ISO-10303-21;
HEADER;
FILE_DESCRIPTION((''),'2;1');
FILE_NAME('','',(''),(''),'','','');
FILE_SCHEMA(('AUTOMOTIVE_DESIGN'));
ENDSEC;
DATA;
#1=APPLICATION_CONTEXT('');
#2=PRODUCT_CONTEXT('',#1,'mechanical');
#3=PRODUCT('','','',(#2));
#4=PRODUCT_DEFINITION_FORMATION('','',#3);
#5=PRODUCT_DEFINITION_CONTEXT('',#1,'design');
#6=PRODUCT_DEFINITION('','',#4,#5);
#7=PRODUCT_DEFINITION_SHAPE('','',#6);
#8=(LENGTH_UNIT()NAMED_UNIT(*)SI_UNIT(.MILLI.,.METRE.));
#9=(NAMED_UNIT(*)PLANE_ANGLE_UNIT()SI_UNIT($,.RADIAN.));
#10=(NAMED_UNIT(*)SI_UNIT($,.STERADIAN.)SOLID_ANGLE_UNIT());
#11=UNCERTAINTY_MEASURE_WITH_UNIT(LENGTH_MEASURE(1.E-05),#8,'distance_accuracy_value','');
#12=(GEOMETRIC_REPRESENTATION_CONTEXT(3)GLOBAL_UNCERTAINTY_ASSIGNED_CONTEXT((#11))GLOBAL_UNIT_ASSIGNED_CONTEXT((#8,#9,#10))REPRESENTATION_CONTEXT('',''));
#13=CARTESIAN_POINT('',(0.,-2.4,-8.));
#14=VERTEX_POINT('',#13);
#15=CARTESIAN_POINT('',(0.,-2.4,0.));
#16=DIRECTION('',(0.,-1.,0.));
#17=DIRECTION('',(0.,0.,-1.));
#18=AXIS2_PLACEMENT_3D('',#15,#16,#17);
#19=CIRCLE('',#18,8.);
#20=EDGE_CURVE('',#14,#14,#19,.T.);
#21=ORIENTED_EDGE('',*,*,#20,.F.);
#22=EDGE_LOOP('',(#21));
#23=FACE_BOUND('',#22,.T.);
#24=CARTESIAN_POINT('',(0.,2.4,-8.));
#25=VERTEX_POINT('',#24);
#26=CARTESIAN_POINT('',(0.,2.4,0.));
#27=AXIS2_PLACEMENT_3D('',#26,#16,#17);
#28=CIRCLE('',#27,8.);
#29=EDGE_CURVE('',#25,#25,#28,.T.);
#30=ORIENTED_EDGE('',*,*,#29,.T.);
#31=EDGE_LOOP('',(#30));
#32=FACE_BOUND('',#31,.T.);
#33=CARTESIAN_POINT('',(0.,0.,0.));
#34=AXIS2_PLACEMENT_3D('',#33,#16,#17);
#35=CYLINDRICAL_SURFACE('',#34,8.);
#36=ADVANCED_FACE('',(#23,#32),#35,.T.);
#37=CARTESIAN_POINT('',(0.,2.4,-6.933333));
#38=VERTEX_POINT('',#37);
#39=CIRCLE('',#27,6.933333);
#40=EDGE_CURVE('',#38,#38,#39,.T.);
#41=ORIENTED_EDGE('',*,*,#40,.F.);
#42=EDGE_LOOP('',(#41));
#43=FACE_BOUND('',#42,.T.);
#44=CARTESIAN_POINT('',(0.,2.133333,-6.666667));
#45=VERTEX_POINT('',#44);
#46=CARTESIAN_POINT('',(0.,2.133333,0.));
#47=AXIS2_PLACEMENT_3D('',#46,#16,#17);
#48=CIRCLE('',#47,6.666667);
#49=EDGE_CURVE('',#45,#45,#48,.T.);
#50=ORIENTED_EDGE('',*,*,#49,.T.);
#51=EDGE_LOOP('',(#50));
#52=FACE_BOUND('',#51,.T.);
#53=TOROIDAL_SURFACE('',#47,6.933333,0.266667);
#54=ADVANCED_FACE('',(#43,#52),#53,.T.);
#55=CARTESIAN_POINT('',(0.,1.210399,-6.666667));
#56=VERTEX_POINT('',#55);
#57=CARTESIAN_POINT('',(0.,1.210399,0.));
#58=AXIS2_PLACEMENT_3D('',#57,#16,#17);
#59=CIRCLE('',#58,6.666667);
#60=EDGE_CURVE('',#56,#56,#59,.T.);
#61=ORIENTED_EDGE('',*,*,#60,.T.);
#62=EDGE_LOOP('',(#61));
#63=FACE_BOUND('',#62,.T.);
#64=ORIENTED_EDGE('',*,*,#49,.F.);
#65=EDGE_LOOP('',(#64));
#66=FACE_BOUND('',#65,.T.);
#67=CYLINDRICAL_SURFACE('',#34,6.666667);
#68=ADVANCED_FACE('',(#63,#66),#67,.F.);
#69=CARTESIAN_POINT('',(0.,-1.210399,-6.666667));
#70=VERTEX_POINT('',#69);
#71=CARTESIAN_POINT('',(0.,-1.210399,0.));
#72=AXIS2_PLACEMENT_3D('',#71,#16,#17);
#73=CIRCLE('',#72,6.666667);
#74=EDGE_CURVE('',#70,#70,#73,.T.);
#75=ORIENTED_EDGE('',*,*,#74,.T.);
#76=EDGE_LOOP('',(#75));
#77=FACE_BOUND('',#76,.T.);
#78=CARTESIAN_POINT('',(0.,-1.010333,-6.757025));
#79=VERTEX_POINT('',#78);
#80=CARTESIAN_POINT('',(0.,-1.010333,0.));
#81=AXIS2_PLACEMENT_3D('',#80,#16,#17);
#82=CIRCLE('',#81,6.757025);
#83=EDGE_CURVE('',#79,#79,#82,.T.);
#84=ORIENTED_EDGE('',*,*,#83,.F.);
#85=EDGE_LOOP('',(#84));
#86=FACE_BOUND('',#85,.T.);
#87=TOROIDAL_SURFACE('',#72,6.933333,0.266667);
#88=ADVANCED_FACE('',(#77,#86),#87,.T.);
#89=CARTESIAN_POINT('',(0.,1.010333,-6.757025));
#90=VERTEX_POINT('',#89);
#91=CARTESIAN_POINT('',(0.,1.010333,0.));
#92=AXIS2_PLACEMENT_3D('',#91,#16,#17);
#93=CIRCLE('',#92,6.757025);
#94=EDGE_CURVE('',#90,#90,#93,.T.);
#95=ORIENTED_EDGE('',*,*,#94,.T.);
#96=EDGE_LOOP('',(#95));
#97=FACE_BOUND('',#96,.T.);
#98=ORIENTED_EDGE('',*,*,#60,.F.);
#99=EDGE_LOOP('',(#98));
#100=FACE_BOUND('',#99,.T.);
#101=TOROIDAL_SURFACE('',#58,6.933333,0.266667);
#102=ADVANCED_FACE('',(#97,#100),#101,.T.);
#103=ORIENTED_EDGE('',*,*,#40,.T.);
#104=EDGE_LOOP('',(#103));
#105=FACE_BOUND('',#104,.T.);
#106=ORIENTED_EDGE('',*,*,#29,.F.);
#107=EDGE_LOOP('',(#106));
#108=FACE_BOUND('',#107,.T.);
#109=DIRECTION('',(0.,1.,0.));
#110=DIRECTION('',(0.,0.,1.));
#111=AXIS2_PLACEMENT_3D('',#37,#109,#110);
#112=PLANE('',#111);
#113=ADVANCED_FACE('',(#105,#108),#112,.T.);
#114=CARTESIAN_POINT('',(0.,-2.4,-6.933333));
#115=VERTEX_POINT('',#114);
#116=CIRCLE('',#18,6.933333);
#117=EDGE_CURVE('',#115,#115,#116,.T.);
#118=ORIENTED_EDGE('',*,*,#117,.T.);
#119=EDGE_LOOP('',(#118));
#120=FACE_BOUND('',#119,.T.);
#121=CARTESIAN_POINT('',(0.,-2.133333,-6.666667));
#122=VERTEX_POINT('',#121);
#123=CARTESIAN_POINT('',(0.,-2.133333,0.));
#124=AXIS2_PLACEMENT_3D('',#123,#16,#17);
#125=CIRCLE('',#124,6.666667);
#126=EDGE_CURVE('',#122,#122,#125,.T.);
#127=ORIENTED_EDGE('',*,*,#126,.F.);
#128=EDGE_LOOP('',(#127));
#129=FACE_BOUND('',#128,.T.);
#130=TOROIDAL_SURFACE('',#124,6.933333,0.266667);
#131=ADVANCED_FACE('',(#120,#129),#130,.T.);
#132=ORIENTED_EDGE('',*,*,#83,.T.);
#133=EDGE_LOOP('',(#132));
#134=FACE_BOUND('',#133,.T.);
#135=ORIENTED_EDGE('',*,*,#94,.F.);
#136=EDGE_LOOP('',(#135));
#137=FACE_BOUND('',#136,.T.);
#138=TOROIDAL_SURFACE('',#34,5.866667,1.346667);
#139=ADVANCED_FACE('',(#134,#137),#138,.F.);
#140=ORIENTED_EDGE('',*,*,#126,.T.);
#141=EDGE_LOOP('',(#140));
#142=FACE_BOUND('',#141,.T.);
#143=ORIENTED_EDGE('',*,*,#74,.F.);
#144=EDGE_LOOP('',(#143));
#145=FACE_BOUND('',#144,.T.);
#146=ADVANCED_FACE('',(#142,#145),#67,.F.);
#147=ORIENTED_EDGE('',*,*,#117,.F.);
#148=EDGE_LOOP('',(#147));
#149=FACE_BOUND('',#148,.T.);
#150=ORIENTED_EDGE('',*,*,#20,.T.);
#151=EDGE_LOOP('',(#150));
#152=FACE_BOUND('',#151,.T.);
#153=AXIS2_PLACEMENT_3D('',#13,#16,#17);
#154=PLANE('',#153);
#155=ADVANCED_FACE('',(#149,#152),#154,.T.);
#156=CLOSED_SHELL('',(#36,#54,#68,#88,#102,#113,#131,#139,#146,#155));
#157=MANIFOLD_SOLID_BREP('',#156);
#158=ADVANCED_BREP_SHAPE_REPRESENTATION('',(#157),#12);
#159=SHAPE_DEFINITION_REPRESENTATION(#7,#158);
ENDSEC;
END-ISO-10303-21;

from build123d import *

# Parameters (mm, degrees)
SCALE1_SCALE = 0.266666667


with BuildPart() as part:
    # Sketch1 → Revolve1 (revolve)
    with BuildSketch(Plane(origin=(0, 0, 0), x_dir=(0, 0, -1), z_dir=(1, 0, 0))):
        with BuildLine():
            Line((25, -8), (25, -4.538997687))
            ThreePointArc((25, -4.538997687), (25.088639197, -4.127389271), (25.338842975, -3.788750135))
            ThreePointArc((25.338842975, -3.788750135), (27.05, 0), (25.338842975, 3.788750135))
            ThreePointArc((25.338842975, 3.788750135), (25.088639197, 4.127389271), (25, 4.538997687))
            Line((25, 4.538997687), (25, 8))
            ThreePointArc((25, 8), (25.292893219, 8.707106781), (26, 9))
            Line((26, 9), (30, 9))
            Line((30, 9), (30, -9))
            Line((30, -9), (26, -9))
            ThreePointArc((26, -9), (25.292893219, -8.707106781), (25, -8))
        make_face()
    revolve(axis=Axis((0, 0, 0), (0, 1, 0)))


with BuildPart() as part_1:
    # Scale1: scaled about (0, 0, 0)
    add(part.part.scale(SCALE1_SCALE))


solid = part_1.part
